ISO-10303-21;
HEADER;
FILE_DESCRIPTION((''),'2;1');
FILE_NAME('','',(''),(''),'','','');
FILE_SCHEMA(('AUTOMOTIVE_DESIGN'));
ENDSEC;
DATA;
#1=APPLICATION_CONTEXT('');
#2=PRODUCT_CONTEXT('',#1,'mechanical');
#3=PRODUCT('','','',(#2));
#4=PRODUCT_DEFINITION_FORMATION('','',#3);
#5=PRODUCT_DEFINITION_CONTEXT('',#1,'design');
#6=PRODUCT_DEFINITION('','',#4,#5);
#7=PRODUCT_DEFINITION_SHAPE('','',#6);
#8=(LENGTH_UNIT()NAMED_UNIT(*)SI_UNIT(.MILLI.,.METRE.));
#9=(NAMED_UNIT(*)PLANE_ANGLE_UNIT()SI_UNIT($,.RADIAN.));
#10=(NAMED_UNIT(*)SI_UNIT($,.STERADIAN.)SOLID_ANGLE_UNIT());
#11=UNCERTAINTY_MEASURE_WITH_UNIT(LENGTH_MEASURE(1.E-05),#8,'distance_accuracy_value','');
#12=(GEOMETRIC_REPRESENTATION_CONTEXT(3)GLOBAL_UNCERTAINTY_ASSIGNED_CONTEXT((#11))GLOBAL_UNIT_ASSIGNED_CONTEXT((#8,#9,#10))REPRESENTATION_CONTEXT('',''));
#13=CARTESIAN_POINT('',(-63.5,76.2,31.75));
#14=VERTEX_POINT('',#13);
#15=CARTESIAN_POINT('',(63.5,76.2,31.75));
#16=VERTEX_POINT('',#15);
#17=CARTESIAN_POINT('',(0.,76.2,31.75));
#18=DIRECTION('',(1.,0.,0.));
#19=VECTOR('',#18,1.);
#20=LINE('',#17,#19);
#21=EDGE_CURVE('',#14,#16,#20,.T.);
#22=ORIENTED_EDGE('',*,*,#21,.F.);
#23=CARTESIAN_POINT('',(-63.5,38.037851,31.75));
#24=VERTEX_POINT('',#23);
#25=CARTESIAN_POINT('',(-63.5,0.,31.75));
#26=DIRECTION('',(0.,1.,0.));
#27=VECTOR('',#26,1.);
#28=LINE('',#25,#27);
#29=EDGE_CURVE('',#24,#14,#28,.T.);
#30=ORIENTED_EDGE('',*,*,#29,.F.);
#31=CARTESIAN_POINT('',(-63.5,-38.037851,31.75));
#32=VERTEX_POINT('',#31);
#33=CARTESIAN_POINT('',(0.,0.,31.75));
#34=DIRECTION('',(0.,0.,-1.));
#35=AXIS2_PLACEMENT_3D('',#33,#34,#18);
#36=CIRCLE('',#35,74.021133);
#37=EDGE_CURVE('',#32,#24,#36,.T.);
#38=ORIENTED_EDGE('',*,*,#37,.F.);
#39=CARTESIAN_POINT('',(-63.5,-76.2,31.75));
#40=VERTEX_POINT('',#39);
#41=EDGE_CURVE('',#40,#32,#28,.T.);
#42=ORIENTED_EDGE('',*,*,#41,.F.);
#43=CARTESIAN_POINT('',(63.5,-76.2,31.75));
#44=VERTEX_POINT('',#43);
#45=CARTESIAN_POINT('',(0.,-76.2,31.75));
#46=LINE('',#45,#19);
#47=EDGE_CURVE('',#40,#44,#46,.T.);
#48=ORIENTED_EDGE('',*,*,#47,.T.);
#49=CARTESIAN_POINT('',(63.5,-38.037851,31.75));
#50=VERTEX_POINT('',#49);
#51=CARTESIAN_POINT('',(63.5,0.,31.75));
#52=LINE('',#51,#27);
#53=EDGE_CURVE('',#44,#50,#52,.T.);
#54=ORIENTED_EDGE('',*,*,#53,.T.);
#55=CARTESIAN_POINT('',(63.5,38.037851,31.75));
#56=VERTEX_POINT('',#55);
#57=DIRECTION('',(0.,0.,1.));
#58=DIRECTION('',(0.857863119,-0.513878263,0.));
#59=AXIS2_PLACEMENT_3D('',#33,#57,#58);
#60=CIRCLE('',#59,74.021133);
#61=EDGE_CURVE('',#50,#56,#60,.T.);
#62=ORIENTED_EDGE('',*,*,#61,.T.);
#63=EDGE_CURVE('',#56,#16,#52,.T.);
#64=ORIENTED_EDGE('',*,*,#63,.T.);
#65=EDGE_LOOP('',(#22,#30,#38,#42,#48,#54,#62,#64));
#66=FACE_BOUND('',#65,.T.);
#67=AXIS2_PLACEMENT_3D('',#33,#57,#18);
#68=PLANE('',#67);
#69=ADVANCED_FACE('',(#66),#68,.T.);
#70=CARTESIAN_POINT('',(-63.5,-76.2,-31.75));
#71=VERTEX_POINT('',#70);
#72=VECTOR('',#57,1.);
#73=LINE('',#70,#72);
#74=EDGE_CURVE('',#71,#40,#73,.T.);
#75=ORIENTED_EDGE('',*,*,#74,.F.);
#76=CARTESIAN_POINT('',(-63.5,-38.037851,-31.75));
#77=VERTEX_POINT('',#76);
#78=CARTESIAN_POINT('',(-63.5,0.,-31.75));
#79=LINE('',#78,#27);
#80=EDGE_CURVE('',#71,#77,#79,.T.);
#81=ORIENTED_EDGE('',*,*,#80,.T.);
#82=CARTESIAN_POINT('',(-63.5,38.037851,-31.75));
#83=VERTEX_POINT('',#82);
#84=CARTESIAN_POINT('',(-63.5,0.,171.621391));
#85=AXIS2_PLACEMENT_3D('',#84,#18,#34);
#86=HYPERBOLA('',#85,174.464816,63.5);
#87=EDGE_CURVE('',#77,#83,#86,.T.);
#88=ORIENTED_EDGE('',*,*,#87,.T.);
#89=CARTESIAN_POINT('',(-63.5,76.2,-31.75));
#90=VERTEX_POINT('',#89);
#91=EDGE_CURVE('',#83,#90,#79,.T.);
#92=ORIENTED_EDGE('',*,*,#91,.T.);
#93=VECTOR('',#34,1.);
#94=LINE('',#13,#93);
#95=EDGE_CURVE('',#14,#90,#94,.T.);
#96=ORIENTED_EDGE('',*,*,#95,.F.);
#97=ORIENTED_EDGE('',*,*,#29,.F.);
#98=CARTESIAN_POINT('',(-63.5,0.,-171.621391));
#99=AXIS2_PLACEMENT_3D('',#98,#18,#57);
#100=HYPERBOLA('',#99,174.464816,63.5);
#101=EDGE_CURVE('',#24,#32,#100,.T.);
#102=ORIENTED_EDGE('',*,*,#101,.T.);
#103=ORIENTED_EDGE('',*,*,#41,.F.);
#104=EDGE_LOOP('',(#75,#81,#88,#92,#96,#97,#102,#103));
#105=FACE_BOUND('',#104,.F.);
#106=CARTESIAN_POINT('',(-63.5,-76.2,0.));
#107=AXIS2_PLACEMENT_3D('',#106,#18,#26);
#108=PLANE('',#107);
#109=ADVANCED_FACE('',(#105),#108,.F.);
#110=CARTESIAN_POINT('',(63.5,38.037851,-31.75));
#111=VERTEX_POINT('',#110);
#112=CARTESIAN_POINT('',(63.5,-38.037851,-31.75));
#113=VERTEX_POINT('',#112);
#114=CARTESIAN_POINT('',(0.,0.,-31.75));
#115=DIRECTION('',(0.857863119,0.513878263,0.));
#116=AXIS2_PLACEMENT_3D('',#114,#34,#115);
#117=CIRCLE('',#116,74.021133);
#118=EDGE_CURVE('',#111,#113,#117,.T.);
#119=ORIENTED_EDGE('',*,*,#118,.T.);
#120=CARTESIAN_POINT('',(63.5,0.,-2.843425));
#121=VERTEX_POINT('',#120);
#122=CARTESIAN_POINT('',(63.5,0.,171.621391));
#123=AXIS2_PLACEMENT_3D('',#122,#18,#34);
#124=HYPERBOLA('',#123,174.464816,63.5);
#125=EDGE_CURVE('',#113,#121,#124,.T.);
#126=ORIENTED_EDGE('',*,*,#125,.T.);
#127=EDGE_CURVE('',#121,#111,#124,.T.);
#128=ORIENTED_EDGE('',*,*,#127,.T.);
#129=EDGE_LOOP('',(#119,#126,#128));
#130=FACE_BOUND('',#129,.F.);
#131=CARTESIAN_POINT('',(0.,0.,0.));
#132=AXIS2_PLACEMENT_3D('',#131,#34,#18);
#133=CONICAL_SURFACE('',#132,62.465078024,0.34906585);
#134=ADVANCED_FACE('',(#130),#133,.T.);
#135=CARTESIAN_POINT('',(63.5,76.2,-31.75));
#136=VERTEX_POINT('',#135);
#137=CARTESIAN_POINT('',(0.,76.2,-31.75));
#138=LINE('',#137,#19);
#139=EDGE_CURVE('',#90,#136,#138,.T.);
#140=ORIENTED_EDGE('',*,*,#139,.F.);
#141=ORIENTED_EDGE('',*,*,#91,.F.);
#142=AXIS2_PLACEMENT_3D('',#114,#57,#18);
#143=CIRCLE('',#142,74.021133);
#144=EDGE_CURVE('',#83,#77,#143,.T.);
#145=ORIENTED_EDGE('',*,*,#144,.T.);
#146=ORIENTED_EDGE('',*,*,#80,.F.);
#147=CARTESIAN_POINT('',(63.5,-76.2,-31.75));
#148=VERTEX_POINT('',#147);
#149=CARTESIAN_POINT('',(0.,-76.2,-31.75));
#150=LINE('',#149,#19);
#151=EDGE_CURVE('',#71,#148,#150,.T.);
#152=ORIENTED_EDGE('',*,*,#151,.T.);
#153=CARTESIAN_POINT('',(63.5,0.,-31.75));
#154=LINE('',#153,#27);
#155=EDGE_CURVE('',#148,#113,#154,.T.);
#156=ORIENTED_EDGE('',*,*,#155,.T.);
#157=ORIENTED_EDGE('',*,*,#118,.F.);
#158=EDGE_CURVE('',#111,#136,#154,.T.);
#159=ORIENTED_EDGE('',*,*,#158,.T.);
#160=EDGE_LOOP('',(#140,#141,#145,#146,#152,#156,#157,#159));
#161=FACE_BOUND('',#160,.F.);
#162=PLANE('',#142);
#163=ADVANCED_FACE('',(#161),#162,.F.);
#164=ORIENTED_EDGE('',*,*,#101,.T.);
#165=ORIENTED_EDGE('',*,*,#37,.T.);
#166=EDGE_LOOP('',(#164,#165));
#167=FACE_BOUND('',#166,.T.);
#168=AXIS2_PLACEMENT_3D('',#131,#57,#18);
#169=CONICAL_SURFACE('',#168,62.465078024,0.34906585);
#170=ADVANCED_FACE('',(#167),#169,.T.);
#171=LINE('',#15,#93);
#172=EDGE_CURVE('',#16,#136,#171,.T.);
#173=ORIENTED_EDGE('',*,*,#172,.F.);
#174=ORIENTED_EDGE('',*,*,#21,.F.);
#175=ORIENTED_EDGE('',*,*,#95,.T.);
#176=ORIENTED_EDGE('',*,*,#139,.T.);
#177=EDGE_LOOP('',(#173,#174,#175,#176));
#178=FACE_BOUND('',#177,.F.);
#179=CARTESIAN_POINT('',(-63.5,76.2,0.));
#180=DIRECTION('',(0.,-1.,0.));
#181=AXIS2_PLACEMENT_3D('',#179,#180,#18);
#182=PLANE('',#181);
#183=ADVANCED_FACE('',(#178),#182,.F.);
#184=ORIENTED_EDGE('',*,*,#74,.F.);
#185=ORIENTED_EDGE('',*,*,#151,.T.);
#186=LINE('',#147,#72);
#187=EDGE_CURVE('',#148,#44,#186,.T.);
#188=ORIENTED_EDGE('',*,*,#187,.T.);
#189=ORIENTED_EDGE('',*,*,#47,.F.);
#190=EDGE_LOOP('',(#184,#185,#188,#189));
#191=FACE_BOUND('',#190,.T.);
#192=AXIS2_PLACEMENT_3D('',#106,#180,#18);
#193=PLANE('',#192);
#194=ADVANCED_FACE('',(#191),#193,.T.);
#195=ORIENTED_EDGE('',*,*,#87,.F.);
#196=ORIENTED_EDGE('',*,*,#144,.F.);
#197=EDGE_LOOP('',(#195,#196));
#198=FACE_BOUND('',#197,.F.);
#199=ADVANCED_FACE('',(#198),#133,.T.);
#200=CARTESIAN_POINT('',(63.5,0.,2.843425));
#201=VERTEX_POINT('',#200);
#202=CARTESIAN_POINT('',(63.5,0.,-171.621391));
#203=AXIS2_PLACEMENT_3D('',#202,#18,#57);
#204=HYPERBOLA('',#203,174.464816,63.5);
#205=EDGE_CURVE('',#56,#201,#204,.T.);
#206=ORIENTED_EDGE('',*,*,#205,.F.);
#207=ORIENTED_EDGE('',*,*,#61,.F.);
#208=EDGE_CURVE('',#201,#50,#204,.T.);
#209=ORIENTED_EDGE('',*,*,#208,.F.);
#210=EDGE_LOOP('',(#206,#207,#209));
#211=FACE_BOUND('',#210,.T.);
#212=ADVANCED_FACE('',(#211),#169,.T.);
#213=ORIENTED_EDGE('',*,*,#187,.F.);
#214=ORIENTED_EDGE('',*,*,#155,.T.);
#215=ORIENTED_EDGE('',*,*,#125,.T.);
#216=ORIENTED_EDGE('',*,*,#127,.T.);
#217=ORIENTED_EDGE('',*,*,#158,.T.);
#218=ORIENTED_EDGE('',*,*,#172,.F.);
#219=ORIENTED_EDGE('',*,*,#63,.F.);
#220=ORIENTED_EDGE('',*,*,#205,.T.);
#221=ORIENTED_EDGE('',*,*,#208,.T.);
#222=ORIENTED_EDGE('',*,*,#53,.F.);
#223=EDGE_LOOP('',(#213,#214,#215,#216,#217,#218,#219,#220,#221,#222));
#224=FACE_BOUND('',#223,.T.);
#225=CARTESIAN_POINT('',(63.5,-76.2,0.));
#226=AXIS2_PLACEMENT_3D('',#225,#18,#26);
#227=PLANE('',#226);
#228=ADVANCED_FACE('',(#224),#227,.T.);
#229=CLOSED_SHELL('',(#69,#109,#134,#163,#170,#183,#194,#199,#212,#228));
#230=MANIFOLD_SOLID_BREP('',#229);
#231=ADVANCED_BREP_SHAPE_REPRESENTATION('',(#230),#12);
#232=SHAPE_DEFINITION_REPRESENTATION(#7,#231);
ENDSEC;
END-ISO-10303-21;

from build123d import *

# Parameters (mm, degrees)
F0_W     = 127
F0_H     = 152.4
F0_R     = 62.4650780237
F1_DEPTH = 31.75
F2_DEPTH = 31.75
F2_TAPER = -20


with BuildPart() as f1:
    # F0 (on Top) → F1 (new body, symmetric)
    with BuildSketch(Plane.XY):
        Rectangle(F0_W, F0_H)
        Circle(F0_R, mode=Mode.SUBTRACT)
    extrude(amount=F1_DEPTH, both=True)

    # F0 (on Top) → F2 (join, symmetric)
    with BuildSketch(Plane.XY):
        Circle(F0_R)
    extrude(amount=F2_DEPTH, both=True, taper=F2_TAPER)


solid = f1.part
